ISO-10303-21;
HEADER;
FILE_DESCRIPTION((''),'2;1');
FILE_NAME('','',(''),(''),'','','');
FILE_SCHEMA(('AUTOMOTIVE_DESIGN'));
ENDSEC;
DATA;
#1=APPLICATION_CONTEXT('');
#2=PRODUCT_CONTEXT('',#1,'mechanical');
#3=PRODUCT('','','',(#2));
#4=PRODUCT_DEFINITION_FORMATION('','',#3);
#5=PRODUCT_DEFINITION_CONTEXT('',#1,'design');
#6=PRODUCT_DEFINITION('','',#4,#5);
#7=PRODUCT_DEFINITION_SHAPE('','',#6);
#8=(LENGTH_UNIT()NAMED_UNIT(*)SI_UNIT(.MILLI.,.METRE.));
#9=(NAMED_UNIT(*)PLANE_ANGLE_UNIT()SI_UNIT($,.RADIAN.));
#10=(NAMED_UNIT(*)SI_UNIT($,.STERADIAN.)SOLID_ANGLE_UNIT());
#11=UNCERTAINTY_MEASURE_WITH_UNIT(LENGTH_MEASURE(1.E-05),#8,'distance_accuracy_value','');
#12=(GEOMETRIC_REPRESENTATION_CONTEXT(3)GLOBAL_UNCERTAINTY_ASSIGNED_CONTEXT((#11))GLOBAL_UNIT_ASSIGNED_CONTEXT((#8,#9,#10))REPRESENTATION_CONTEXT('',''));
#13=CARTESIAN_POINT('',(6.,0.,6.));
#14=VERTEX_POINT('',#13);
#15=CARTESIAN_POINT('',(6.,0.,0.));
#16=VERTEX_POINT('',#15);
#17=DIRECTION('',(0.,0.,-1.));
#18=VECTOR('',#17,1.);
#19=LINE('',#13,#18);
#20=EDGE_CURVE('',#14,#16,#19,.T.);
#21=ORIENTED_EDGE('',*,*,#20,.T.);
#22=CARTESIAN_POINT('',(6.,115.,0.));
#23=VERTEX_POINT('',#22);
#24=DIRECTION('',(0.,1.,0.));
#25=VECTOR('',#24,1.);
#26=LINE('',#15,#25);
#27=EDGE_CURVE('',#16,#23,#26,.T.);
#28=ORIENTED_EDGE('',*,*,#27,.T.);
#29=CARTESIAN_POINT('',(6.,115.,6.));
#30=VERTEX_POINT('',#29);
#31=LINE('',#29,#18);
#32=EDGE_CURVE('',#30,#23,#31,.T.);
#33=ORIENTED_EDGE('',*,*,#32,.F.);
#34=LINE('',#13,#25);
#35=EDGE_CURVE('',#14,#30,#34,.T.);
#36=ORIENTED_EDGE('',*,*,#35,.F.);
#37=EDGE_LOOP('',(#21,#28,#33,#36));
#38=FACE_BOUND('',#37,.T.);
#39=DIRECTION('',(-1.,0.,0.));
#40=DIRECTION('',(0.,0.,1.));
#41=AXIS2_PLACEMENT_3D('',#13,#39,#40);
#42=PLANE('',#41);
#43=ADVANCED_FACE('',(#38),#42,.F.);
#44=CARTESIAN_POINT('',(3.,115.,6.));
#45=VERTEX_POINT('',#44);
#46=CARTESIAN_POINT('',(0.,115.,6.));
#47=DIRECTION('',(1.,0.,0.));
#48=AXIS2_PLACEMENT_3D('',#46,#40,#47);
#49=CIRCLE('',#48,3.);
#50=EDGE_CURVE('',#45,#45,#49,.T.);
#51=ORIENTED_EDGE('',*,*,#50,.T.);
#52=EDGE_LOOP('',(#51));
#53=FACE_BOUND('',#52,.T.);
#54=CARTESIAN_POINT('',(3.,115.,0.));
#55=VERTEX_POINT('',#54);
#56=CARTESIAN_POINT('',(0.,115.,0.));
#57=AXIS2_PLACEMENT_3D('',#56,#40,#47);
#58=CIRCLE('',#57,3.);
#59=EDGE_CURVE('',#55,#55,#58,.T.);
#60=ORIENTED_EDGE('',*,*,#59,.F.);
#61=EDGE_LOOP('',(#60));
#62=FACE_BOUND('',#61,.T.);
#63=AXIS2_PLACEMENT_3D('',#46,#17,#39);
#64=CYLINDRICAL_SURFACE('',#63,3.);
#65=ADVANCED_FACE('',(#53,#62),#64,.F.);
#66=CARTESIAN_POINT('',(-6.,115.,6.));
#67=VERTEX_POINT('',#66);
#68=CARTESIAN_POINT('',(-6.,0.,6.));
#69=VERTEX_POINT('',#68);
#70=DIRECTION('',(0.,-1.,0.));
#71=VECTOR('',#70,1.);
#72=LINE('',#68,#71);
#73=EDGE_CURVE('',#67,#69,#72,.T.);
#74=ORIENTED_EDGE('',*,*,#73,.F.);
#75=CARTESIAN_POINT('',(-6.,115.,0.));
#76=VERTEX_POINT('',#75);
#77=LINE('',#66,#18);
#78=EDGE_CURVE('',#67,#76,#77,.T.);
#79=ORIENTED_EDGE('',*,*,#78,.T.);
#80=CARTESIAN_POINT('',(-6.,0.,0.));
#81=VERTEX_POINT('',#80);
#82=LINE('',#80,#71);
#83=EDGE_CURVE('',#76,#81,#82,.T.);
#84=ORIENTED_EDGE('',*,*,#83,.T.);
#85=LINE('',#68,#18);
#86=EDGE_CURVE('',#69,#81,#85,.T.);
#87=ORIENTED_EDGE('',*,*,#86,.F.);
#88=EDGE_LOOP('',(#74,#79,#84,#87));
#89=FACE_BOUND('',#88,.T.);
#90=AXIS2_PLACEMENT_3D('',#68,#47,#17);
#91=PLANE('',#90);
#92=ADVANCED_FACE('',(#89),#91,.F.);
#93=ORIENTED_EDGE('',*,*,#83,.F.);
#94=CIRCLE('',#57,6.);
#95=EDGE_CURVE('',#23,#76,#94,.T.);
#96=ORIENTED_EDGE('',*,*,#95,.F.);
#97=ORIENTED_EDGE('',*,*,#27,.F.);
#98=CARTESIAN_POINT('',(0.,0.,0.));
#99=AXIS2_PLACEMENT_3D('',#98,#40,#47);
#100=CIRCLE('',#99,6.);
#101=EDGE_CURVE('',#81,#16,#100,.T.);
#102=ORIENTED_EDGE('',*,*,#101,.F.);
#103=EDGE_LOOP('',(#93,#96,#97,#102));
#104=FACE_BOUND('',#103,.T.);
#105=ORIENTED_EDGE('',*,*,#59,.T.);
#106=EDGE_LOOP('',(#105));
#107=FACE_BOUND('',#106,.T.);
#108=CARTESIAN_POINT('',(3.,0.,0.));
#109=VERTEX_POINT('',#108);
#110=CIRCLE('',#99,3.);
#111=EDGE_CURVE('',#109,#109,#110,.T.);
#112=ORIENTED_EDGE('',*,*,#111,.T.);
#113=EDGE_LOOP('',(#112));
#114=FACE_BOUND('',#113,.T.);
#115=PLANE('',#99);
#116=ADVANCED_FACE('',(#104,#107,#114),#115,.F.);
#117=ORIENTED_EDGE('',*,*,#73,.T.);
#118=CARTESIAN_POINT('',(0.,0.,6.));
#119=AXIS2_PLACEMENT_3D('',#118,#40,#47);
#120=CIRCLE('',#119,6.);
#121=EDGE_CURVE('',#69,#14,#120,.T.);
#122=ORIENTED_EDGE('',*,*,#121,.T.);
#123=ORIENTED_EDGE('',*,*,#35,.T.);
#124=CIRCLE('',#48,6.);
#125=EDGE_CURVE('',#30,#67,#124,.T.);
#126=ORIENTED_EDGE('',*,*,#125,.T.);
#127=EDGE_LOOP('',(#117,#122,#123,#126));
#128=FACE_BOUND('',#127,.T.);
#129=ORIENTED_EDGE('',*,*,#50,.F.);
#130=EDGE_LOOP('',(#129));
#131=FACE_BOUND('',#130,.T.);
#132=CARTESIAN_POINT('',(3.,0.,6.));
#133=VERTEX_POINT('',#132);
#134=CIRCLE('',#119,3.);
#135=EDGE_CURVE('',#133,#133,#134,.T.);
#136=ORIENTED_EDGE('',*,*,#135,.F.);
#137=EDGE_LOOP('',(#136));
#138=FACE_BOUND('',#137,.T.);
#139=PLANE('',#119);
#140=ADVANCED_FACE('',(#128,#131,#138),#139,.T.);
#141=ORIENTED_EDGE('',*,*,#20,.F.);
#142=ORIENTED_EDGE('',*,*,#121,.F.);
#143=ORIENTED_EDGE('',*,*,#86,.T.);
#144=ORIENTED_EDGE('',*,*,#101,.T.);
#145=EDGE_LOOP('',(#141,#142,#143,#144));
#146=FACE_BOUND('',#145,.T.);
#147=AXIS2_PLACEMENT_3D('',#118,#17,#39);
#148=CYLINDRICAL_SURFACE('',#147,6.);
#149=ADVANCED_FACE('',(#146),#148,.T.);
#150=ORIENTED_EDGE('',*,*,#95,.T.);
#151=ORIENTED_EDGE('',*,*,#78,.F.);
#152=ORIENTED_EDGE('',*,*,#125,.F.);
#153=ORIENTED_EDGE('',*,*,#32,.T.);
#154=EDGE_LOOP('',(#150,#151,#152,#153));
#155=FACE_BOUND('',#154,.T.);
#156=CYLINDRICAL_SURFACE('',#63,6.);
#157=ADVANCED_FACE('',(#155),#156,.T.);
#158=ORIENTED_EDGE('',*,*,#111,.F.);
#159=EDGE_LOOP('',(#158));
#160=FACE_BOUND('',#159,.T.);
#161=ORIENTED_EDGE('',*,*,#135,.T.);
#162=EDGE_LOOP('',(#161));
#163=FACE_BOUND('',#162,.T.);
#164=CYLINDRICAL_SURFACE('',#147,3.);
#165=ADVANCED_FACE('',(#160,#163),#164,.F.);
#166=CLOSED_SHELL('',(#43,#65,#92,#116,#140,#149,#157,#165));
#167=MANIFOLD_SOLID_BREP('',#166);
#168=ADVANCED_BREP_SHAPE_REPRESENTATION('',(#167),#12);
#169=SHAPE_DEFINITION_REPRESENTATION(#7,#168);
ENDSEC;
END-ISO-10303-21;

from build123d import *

# Parameters (mm, degrees)
CROQUIS1_R              = 3
SALIENTE_EXTRUIR1_DEPTH = 6


with BuildPart() as part:
    # Croquis1 → Saliente-Extruir1 (new body)
    with BuildSketch(Plane.XY):
        with BuildLine():
            Line((-6, 0), (-6, 115))
            ThreePointArc((-6, 115), (0, 121), (6, 115))
            Line((6, 115), (6, 0))
            ThreePointArc((6, 0), (0, -6), (-6, 0))
        make_face()
        Circle(CROQUIS1_R, mode=Mode.SUBTRACT)
        with Locations((0, 115)):
            Circle(CROQUIS1_R, mode=Mode.SUBTRACT)
    extrude(amount=SALIENTE_EXTRUIR1_DEPTH)


solid = part.part
